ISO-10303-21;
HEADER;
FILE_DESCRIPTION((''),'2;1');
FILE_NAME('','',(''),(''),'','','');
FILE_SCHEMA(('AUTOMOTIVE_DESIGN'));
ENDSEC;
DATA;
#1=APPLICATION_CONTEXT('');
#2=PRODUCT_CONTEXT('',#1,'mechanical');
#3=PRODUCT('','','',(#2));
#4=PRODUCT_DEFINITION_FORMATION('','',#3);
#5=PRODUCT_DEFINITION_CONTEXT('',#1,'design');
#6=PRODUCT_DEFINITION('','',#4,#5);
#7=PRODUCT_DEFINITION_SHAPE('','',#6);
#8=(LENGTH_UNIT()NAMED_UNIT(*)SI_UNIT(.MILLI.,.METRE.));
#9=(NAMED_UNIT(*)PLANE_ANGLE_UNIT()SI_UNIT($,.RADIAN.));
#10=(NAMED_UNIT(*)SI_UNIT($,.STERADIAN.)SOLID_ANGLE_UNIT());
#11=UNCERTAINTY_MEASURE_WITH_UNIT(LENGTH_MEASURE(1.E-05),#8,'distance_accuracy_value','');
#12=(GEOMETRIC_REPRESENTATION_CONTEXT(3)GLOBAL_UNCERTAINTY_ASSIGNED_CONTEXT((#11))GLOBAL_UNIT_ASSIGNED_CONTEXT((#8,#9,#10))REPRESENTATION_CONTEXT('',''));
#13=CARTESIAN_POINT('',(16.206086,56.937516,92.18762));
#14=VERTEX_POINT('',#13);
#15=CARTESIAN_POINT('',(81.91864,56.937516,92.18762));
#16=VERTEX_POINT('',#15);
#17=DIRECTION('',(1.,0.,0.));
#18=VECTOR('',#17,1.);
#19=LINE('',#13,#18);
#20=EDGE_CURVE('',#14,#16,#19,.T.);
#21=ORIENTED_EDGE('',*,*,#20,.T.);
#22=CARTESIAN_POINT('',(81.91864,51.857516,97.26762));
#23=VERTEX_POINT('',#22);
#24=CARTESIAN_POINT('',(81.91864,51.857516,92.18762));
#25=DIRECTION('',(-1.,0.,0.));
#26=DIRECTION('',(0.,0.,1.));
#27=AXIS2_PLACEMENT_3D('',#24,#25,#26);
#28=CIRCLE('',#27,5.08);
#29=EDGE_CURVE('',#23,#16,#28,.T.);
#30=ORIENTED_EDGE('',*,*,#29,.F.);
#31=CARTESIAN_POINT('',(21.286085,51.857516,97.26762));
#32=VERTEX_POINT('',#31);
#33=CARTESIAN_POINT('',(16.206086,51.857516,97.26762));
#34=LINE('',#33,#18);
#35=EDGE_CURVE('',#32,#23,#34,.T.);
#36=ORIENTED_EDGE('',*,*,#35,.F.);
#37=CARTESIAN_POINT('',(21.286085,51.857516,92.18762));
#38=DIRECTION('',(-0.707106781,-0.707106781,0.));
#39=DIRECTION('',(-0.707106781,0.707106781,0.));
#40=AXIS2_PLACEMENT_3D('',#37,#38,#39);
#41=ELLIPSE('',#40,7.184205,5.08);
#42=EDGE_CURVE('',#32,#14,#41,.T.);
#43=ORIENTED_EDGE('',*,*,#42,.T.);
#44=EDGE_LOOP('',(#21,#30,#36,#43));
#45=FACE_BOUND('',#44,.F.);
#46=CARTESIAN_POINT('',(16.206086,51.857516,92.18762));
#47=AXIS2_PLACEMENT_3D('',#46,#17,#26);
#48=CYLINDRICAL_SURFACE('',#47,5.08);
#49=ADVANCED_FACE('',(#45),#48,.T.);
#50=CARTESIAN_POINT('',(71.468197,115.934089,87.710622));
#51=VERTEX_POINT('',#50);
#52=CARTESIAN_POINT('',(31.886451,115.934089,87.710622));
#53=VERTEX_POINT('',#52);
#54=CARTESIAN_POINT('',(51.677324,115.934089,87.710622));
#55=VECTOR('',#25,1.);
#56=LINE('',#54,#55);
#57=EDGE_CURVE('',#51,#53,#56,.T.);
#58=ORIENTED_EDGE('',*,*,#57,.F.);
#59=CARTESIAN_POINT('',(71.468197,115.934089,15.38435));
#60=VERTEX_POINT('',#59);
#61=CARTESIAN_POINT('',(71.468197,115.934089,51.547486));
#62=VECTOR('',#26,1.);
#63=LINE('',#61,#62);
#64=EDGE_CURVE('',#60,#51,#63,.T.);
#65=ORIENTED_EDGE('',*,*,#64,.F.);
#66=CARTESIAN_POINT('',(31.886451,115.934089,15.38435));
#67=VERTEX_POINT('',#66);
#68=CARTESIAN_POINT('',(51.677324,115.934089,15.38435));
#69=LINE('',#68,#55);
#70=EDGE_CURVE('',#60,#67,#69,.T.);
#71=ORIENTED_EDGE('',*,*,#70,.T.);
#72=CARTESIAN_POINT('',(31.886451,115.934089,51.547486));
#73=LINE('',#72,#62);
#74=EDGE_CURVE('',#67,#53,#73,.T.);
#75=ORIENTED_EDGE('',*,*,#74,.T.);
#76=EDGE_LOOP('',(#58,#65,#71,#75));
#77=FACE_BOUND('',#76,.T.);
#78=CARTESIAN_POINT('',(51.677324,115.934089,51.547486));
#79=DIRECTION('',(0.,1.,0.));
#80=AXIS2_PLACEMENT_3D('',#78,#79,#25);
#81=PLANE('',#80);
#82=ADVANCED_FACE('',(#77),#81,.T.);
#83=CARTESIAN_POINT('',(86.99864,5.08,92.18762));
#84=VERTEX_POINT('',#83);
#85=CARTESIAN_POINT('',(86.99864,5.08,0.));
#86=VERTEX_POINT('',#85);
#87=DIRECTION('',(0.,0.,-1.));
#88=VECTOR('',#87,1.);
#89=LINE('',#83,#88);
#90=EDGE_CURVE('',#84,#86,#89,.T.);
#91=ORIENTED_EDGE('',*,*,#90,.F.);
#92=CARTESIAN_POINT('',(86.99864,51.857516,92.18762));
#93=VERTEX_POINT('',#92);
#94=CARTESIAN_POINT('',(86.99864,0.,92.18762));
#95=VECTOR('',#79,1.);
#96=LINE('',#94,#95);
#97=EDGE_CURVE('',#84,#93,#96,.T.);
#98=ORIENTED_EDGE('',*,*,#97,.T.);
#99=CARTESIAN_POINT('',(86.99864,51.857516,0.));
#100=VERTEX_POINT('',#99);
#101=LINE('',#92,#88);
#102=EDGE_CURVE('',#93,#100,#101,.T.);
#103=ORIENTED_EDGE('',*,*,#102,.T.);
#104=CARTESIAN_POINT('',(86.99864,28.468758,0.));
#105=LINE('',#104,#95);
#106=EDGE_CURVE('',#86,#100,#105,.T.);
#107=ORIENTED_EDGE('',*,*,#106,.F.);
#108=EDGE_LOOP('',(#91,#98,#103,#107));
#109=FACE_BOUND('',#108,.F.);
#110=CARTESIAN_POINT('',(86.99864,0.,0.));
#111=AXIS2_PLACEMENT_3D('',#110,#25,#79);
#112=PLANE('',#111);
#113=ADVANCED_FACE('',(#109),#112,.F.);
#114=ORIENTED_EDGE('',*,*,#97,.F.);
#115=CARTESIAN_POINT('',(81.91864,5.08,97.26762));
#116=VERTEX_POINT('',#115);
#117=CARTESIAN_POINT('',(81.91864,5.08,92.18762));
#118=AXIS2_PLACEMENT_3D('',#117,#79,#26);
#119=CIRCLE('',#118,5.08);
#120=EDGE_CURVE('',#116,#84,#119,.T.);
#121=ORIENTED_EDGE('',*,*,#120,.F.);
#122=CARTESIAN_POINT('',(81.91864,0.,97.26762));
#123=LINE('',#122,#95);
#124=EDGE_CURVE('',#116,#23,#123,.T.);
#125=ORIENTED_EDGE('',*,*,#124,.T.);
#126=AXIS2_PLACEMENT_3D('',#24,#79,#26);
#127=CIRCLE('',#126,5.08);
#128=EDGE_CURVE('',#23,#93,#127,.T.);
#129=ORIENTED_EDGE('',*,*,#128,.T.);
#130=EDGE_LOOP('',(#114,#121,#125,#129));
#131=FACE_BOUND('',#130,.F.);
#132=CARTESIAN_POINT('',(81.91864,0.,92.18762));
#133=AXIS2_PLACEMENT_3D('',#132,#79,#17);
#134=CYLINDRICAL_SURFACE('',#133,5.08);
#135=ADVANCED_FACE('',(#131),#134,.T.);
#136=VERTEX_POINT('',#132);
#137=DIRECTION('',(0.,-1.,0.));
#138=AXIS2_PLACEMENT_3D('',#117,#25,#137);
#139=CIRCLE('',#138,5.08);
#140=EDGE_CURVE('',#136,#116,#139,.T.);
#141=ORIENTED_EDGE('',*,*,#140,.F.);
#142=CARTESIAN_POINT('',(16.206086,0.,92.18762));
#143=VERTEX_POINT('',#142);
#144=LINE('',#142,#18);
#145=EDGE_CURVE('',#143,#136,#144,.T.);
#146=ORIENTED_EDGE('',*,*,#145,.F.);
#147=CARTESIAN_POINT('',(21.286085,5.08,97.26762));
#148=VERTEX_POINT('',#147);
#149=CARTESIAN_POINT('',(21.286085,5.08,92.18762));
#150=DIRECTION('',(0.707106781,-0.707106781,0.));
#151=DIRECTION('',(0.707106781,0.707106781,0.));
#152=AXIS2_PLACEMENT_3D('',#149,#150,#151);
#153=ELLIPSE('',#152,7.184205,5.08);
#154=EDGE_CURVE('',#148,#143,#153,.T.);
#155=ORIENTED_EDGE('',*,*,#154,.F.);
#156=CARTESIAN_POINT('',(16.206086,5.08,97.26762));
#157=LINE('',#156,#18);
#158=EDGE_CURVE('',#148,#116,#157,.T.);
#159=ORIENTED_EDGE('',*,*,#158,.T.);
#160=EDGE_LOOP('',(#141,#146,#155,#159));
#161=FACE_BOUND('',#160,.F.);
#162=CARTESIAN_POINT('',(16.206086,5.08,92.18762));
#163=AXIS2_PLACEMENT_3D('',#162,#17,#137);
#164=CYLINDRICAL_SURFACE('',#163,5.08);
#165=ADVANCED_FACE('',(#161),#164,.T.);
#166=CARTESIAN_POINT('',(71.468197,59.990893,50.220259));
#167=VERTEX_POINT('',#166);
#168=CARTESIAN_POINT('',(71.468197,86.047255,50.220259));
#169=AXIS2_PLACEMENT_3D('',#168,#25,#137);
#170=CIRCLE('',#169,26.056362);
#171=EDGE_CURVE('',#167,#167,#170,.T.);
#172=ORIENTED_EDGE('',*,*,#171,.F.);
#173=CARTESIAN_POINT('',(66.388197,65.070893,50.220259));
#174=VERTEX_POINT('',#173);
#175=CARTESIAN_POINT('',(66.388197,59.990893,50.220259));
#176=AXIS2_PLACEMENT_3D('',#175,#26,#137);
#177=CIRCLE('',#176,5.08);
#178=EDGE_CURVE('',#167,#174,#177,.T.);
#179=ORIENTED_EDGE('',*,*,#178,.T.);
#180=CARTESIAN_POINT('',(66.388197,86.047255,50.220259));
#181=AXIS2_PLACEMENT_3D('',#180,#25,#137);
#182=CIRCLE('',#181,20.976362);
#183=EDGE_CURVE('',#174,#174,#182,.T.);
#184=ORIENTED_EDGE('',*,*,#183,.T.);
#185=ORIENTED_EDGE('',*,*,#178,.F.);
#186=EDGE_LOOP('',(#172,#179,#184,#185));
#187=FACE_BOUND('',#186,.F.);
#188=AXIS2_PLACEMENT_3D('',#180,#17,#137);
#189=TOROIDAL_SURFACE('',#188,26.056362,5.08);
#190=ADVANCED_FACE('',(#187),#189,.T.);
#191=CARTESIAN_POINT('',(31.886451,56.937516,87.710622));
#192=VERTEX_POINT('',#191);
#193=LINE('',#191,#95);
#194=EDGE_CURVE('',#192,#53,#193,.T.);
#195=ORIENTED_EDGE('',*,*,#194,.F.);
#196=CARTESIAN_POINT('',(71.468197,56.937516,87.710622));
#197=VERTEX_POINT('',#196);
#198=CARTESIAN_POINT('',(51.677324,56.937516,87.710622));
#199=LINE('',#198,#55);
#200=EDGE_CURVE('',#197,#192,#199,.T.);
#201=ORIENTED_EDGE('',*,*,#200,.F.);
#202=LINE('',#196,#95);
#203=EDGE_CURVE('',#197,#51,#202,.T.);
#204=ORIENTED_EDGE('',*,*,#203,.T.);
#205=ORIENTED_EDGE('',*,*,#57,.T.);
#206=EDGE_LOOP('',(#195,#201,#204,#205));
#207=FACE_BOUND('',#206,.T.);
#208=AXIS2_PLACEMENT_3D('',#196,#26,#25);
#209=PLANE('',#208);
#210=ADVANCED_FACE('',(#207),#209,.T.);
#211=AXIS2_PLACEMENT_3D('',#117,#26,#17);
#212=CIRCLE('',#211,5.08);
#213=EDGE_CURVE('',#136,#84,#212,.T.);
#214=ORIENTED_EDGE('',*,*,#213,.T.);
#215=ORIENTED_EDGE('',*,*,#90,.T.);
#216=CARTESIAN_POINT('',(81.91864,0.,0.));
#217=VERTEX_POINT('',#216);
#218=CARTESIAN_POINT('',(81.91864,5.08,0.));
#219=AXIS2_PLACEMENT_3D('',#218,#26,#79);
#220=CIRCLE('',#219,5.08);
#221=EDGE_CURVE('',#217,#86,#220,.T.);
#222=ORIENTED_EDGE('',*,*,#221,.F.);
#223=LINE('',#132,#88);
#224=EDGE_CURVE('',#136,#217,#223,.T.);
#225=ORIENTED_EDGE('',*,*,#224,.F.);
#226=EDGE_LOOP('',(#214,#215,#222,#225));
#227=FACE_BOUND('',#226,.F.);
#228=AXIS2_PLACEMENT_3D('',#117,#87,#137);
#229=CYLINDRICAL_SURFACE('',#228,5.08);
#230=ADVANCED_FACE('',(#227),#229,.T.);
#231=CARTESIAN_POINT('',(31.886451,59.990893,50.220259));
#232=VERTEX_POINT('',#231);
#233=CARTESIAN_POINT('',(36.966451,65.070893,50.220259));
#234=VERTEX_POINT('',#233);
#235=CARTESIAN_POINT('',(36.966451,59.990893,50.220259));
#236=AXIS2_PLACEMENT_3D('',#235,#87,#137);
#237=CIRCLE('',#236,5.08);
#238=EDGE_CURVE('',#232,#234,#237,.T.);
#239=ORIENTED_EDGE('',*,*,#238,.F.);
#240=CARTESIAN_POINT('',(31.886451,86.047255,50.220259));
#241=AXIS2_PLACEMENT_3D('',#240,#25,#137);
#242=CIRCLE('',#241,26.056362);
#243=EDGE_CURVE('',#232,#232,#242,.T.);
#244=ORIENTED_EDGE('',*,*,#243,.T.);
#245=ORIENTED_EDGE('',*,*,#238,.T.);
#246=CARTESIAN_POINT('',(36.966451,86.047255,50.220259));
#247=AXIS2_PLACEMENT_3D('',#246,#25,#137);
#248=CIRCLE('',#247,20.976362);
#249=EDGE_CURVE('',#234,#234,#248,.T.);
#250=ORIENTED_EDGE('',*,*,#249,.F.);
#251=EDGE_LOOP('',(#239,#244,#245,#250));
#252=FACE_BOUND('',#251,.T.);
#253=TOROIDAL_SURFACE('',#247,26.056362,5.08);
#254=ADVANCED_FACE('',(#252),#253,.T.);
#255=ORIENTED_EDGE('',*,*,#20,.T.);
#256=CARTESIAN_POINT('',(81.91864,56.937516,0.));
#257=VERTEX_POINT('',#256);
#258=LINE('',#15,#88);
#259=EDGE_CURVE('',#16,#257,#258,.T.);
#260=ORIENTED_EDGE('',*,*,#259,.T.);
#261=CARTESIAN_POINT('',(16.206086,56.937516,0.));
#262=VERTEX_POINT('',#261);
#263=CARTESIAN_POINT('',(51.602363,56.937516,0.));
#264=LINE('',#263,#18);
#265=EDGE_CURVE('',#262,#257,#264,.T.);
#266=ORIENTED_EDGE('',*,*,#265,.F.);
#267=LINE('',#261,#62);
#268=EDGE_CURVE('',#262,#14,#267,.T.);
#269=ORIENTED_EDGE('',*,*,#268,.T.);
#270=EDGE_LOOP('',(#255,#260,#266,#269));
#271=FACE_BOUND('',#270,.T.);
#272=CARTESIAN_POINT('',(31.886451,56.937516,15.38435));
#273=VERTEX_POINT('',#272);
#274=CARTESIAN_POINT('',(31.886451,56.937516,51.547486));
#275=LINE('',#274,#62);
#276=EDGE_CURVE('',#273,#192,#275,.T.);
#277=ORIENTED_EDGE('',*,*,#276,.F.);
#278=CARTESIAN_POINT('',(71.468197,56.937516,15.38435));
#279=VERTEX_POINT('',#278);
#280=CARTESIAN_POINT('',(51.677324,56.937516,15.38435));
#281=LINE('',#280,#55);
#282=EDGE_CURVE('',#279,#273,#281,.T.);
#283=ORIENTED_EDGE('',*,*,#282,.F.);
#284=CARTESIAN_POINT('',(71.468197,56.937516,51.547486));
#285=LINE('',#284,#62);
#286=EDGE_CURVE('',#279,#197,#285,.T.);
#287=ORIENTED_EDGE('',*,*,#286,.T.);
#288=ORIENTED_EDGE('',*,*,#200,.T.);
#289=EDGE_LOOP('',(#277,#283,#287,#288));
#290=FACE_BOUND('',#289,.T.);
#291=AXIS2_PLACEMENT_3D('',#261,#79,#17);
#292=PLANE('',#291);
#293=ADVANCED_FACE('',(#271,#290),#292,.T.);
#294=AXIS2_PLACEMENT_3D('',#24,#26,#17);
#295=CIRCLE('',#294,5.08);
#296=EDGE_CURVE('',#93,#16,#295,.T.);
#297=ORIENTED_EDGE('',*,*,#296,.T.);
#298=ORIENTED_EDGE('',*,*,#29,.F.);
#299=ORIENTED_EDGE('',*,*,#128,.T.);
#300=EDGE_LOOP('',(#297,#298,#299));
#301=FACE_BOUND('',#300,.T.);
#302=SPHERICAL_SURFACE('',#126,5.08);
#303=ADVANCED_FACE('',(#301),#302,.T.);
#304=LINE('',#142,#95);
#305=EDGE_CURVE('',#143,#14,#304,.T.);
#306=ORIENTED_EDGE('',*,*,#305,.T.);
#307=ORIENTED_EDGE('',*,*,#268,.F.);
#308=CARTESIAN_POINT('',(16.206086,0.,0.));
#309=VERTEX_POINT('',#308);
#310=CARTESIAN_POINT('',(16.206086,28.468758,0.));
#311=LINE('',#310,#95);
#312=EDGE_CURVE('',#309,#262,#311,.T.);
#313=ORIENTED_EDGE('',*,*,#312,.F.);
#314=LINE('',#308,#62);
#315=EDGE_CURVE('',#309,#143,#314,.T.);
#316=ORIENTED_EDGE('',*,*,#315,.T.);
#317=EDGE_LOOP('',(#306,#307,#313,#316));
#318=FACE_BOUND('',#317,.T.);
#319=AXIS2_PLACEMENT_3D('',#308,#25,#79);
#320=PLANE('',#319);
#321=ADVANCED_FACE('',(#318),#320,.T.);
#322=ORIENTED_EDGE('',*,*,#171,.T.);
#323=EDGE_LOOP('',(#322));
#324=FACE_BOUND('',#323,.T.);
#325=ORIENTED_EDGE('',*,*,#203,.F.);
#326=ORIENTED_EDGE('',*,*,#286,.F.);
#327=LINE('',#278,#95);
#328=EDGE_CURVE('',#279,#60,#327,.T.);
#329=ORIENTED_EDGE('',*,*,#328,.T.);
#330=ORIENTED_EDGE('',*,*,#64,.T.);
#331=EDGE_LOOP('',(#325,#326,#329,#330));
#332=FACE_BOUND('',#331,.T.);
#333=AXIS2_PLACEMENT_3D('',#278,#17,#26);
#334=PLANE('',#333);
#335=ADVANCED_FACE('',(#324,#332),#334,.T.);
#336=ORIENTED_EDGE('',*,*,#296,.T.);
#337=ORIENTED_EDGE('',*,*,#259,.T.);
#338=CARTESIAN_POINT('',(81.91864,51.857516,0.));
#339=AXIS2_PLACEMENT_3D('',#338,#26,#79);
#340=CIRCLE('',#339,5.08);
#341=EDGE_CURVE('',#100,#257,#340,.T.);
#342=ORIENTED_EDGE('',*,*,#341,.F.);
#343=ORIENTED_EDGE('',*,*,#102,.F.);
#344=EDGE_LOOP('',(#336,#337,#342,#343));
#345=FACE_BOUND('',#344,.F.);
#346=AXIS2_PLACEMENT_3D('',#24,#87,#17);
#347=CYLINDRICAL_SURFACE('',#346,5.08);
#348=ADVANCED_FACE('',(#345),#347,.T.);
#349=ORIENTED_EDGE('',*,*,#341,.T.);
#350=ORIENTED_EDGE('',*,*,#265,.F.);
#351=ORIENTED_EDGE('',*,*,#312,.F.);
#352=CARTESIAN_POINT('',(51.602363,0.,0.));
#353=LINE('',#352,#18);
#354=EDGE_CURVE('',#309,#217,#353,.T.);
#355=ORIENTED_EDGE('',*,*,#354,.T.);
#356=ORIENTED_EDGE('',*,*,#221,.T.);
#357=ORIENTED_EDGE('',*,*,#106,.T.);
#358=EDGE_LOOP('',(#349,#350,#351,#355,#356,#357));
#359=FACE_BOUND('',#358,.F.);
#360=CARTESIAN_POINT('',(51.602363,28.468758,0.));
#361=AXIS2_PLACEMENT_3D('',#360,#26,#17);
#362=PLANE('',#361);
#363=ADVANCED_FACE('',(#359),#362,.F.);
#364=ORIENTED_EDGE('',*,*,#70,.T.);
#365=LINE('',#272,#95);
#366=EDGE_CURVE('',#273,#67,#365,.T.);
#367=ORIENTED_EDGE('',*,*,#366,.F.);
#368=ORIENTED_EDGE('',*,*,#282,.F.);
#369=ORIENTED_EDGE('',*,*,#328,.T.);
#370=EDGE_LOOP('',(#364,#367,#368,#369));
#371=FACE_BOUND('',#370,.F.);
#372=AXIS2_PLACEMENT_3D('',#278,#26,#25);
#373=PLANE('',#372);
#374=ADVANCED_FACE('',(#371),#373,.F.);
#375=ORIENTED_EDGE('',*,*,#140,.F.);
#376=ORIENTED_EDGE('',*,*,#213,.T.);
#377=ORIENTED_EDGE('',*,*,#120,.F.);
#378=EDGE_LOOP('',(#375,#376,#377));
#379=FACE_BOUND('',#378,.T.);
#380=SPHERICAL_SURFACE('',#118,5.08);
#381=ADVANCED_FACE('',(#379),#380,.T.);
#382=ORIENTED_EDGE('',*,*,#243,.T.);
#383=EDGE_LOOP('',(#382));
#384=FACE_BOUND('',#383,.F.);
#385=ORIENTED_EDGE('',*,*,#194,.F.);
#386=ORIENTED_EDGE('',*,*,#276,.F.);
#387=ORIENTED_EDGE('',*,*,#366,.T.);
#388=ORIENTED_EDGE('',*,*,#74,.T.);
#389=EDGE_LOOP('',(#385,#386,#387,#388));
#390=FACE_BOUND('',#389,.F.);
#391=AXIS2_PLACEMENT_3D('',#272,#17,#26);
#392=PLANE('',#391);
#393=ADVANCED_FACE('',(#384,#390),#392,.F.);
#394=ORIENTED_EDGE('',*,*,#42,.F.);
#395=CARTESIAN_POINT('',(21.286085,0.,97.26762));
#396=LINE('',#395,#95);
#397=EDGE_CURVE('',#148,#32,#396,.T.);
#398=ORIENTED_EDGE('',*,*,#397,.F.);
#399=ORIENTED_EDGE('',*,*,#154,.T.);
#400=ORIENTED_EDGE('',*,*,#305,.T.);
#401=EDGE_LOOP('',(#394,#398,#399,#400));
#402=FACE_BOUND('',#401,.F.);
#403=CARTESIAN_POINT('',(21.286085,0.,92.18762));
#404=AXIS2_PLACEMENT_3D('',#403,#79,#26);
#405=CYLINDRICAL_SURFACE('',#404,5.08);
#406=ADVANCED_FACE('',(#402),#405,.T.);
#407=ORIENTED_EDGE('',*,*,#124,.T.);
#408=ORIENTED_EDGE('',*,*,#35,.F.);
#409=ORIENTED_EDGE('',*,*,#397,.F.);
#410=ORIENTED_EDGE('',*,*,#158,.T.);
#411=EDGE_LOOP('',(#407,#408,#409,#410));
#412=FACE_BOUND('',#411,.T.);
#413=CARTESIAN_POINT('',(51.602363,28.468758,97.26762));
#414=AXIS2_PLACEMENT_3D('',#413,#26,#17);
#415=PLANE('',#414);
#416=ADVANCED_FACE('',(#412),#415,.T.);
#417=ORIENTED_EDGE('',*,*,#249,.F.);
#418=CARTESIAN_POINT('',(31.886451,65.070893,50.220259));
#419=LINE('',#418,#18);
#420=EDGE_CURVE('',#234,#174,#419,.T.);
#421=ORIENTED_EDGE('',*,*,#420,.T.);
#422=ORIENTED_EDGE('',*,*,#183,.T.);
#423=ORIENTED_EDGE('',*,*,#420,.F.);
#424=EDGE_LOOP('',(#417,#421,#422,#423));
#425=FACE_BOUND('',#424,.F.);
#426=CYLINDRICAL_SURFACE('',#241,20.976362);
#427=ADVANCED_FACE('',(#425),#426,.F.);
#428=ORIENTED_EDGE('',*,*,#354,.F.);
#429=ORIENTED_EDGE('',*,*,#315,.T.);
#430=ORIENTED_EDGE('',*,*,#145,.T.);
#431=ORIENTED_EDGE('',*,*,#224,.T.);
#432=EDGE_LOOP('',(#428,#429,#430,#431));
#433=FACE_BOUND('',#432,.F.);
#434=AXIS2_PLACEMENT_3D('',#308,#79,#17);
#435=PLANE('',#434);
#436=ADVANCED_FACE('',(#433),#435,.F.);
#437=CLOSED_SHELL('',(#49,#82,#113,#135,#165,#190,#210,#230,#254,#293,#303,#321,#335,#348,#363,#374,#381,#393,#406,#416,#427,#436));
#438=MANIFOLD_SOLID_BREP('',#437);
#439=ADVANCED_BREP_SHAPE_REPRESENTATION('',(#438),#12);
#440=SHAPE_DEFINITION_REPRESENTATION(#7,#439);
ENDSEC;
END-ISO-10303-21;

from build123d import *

# Parameters (mm, degrees)
F0_W     = 70.792555
F0_H     = 56.937516
F1_DEPTH = 97.26762
F2_R     = 5.08
F3_R     = 5.08
F4_W     = 39.581746
F4_H     = 72.326273
F5_DEPTH = 58.996573
F6_R     = 20.976362
F7_DEPTH = 77.683359
F8_R     = 5.08


with BuildPart() as f1:
    # F0 (on Top) → F1 (new body)
    with BuildSketch(Plane.XY):
        with Locations((51.602363, 28.468758)):
            Rectangle(F0_W, F0_H)
    extrude(amount=F1_DEPTH)

    # F2
    f2_edges = [f1.edges().sort_by_distance(p)[0] for p in [
        (86.998641, 28.468758, 97.26762),
    ]]
    fillet(f2_edges, radius=F2_R)

    # F3
    f3_edges = [f1.edges().sort_by_distance(p)[0] for p in [
        (16.206086, 28.468758, 97.26762),
        (49.062364, 0, 97.26762),
        (49.062364, 56.937516, 97.26762),
    ]]
    fillet(f3_edges, radius=F3_R)

    # F4 (on face) → F5 (join)
    with BuildSketch(Plane(origin=(0, 56.937516, 0), x_dir=(-1, 0, 0), z_dir=(0, 1, 0))):
        with Locations((-51.677324, 51.547486)):
            Rectangle(F4_W, F4_H)
    extrude(amount=F5_DEPTH)

    # F6 (on face) → F7 (cut)
    with BuildSketch(Plane(origin=(31.886451, 0, 0), x_dir=(0, -1, 0), z_dir=(-1, 0, 0))):
        with Locations((-86.047255, 50.220259)):
            Circle(F6_R)
    extrude(amount=-F7_DEPTH, mode=Mode.SUBTRACT)

    # F8
    f8_edges = [f1.edges().sort_by_distance(p)[0] for p in [
        (71.468197, 107.023617, 50.220259),
        (31.886451, 107.023617, 50.220259),
    ]]
    fillet(f8_edges, radius=F8_R)


solid = f1.part
